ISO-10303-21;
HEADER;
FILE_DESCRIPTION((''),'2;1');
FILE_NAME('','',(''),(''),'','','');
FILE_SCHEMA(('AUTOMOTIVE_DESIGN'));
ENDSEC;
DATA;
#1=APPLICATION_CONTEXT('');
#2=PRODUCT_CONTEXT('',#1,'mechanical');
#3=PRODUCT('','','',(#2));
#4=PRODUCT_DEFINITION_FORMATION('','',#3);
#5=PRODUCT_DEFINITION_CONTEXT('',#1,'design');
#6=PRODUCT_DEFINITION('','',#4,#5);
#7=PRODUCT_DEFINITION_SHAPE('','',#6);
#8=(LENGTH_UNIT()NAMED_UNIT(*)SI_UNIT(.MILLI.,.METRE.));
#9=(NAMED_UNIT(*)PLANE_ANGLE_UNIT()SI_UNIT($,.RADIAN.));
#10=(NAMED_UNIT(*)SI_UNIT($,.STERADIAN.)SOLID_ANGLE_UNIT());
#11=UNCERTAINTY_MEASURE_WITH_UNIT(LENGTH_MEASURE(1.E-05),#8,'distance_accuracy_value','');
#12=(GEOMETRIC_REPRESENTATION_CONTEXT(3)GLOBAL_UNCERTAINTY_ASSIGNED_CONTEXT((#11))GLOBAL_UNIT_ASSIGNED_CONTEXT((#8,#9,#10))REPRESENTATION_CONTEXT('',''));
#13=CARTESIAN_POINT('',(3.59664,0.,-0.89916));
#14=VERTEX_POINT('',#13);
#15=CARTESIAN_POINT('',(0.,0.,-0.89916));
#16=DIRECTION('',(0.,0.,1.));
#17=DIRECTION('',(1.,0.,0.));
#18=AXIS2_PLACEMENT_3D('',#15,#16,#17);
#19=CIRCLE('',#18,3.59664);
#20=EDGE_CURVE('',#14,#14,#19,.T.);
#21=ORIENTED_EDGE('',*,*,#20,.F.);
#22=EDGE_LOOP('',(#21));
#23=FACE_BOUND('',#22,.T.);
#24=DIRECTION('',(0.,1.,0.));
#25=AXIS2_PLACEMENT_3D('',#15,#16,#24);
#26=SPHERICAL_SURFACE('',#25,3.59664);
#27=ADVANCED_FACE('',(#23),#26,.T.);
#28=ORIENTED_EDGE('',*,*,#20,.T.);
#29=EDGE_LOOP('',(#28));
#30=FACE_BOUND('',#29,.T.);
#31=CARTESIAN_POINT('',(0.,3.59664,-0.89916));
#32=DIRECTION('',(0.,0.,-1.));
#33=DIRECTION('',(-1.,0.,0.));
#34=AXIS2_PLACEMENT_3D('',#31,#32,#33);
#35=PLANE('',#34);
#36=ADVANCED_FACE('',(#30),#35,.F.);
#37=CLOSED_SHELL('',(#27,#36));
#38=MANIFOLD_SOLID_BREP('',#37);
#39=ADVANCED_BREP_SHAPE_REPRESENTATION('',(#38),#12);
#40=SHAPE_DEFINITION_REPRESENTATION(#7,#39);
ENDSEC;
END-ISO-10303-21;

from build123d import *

# Parameters (mm, degrees)
SCALE1_SCALE = 0.6


with BuildPart() as part:
    # Sketch1 → Revolve1 (revolve)
    with BuildSketch(Plane(origin=(0, 0, 0), x_dir=(0, 0, -1), z_dir=(1, 0, 0))):
        with BuildLine():
            Line((0, 5.9944), (0, 0))
            Line((0, 0), (5.9944, 0))
            ThreePointArc((5.9944, 0), (4.238680889, 4.238680889), (0, 5.9944))
        make_face()
    revolve(axis=Axis((0, 0, 3.08384281), (0, 0, -1)))


with BuildPart() as part_1:
    # Scale1: scaled about (0, 0, -2.2479)
    add(part.part.scale(SCALE1_SCALE).moved(Location((0, 0, -0.89916))))


solid = part_1.part
